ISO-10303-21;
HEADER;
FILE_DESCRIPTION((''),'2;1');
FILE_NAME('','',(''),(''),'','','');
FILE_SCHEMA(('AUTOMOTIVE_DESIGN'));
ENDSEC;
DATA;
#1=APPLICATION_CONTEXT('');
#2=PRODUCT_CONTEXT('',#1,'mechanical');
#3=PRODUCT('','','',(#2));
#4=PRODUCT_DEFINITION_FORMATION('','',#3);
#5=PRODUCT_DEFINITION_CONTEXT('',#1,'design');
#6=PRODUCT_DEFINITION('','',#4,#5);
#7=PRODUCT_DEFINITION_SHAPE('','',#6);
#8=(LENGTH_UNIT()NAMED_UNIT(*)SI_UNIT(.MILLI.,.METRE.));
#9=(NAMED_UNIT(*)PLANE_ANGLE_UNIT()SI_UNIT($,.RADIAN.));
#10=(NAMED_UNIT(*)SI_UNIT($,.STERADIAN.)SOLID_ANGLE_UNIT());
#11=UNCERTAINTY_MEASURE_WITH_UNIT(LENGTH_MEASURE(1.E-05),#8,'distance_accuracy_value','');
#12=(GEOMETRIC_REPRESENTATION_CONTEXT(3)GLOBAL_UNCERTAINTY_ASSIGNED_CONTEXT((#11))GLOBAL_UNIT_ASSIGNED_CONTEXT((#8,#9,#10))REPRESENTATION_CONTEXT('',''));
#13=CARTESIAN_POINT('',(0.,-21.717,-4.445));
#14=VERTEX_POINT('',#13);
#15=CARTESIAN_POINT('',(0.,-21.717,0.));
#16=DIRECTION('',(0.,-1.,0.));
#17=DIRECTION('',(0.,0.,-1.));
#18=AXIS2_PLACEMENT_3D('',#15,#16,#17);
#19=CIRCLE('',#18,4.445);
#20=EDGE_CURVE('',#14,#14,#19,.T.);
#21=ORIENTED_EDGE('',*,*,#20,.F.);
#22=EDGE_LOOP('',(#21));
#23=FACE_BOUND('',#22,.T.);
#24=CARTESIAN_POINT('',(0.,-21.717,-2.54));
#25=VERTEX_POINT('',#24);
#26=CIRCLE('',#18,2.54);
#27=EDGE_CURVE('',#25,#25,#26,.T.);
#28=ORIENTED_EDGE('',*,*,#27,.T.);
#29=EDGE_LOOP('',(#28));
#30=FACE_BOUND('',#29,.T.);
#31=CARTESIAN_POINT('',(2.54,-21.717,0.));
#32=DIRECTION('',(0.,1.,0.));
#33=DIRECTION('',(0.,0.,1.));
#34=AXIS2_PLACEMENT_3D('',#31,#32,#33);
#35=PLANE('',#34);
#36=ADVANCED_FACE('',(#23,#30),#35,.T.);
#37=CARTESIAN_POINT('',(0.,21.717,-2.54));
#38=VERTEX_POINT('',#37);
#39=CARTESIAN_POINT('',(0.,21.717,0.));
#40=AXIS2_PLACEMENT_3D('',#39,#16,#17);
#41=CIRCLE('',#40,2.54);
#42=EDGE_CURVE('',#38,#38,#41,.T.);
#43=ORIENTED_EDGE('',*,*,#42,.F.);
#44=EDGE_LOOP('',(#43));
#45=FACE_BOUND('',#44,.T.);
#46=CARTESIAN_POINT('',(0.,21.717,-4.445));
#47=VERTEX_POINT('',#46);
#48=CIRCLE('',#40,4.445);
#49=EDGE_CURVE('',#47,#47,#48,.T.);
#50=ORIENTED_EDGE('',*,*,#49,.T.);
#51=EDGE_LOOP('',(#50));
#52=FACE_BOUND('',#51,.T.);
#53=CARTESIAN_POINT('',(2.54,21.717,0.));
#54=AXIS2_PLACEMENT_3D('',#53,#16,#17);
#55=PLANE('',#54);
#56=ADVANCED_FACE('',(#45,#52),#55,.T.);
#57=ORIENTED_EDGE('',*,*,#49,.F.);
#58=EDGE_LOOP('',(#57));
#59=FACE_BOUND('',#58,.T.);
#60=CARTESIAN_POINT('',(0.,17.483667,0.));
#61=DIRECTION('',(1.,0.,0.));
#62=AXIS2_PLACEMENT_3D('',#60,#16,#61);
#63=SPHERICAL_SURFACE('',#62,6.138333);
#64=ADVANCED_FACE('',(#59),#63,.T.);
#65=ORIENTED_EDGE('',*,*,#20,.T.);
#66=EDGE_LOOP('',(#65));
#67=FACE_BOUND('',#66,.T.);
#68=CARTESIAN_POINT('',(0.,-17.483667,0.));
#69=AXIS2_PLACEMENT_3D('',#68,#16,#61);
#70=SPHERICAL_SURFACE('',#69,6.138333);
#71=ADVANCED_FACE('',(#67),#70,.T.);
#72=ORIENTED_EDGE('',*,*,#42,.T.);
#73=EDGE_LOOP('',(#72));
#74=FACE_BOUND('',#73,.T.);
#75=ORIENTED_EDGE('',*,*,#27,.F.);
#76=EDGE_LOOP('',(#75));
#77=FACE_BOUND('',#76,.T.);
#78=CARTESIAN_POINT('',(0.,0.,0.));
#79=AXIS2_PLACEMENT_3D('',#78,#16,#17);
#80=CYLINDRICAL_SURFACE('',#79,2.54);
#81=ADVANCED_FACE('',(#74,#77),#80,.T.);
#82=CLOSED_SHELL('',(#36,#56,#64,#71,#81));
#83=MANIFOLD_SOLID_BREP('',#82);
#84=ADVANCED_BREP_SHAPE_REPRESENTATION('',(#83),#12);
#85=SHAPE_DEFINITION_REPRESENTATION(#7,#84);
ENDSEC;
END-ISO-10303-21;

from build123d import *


with BuildPart() as part:
    # Sketch1 → Revolve1 (revolve)
    with BuildSketch(Plane.XY):
        with BuildLine():
            Line((2.54, -21.717), (2.54, 21.717))
            Line((2.54, 21.717), (4.445, 21.717))
            ThreePointArc((4.445, 21.717), (2.418007961, 23.125685243), (0, 23.622))
            Line((0, 23.622), (0, -23.622))
            ThreePointArc((0, -23.622), (2.418007961, -23.125685243), (4.445, -21.717))
            Line((4.445, -21.717), (2.54, -21.717))
        make_face()
    revolve(axis=Axis((0, 0, 0), (0, 1, 0)))


solid = part.part
